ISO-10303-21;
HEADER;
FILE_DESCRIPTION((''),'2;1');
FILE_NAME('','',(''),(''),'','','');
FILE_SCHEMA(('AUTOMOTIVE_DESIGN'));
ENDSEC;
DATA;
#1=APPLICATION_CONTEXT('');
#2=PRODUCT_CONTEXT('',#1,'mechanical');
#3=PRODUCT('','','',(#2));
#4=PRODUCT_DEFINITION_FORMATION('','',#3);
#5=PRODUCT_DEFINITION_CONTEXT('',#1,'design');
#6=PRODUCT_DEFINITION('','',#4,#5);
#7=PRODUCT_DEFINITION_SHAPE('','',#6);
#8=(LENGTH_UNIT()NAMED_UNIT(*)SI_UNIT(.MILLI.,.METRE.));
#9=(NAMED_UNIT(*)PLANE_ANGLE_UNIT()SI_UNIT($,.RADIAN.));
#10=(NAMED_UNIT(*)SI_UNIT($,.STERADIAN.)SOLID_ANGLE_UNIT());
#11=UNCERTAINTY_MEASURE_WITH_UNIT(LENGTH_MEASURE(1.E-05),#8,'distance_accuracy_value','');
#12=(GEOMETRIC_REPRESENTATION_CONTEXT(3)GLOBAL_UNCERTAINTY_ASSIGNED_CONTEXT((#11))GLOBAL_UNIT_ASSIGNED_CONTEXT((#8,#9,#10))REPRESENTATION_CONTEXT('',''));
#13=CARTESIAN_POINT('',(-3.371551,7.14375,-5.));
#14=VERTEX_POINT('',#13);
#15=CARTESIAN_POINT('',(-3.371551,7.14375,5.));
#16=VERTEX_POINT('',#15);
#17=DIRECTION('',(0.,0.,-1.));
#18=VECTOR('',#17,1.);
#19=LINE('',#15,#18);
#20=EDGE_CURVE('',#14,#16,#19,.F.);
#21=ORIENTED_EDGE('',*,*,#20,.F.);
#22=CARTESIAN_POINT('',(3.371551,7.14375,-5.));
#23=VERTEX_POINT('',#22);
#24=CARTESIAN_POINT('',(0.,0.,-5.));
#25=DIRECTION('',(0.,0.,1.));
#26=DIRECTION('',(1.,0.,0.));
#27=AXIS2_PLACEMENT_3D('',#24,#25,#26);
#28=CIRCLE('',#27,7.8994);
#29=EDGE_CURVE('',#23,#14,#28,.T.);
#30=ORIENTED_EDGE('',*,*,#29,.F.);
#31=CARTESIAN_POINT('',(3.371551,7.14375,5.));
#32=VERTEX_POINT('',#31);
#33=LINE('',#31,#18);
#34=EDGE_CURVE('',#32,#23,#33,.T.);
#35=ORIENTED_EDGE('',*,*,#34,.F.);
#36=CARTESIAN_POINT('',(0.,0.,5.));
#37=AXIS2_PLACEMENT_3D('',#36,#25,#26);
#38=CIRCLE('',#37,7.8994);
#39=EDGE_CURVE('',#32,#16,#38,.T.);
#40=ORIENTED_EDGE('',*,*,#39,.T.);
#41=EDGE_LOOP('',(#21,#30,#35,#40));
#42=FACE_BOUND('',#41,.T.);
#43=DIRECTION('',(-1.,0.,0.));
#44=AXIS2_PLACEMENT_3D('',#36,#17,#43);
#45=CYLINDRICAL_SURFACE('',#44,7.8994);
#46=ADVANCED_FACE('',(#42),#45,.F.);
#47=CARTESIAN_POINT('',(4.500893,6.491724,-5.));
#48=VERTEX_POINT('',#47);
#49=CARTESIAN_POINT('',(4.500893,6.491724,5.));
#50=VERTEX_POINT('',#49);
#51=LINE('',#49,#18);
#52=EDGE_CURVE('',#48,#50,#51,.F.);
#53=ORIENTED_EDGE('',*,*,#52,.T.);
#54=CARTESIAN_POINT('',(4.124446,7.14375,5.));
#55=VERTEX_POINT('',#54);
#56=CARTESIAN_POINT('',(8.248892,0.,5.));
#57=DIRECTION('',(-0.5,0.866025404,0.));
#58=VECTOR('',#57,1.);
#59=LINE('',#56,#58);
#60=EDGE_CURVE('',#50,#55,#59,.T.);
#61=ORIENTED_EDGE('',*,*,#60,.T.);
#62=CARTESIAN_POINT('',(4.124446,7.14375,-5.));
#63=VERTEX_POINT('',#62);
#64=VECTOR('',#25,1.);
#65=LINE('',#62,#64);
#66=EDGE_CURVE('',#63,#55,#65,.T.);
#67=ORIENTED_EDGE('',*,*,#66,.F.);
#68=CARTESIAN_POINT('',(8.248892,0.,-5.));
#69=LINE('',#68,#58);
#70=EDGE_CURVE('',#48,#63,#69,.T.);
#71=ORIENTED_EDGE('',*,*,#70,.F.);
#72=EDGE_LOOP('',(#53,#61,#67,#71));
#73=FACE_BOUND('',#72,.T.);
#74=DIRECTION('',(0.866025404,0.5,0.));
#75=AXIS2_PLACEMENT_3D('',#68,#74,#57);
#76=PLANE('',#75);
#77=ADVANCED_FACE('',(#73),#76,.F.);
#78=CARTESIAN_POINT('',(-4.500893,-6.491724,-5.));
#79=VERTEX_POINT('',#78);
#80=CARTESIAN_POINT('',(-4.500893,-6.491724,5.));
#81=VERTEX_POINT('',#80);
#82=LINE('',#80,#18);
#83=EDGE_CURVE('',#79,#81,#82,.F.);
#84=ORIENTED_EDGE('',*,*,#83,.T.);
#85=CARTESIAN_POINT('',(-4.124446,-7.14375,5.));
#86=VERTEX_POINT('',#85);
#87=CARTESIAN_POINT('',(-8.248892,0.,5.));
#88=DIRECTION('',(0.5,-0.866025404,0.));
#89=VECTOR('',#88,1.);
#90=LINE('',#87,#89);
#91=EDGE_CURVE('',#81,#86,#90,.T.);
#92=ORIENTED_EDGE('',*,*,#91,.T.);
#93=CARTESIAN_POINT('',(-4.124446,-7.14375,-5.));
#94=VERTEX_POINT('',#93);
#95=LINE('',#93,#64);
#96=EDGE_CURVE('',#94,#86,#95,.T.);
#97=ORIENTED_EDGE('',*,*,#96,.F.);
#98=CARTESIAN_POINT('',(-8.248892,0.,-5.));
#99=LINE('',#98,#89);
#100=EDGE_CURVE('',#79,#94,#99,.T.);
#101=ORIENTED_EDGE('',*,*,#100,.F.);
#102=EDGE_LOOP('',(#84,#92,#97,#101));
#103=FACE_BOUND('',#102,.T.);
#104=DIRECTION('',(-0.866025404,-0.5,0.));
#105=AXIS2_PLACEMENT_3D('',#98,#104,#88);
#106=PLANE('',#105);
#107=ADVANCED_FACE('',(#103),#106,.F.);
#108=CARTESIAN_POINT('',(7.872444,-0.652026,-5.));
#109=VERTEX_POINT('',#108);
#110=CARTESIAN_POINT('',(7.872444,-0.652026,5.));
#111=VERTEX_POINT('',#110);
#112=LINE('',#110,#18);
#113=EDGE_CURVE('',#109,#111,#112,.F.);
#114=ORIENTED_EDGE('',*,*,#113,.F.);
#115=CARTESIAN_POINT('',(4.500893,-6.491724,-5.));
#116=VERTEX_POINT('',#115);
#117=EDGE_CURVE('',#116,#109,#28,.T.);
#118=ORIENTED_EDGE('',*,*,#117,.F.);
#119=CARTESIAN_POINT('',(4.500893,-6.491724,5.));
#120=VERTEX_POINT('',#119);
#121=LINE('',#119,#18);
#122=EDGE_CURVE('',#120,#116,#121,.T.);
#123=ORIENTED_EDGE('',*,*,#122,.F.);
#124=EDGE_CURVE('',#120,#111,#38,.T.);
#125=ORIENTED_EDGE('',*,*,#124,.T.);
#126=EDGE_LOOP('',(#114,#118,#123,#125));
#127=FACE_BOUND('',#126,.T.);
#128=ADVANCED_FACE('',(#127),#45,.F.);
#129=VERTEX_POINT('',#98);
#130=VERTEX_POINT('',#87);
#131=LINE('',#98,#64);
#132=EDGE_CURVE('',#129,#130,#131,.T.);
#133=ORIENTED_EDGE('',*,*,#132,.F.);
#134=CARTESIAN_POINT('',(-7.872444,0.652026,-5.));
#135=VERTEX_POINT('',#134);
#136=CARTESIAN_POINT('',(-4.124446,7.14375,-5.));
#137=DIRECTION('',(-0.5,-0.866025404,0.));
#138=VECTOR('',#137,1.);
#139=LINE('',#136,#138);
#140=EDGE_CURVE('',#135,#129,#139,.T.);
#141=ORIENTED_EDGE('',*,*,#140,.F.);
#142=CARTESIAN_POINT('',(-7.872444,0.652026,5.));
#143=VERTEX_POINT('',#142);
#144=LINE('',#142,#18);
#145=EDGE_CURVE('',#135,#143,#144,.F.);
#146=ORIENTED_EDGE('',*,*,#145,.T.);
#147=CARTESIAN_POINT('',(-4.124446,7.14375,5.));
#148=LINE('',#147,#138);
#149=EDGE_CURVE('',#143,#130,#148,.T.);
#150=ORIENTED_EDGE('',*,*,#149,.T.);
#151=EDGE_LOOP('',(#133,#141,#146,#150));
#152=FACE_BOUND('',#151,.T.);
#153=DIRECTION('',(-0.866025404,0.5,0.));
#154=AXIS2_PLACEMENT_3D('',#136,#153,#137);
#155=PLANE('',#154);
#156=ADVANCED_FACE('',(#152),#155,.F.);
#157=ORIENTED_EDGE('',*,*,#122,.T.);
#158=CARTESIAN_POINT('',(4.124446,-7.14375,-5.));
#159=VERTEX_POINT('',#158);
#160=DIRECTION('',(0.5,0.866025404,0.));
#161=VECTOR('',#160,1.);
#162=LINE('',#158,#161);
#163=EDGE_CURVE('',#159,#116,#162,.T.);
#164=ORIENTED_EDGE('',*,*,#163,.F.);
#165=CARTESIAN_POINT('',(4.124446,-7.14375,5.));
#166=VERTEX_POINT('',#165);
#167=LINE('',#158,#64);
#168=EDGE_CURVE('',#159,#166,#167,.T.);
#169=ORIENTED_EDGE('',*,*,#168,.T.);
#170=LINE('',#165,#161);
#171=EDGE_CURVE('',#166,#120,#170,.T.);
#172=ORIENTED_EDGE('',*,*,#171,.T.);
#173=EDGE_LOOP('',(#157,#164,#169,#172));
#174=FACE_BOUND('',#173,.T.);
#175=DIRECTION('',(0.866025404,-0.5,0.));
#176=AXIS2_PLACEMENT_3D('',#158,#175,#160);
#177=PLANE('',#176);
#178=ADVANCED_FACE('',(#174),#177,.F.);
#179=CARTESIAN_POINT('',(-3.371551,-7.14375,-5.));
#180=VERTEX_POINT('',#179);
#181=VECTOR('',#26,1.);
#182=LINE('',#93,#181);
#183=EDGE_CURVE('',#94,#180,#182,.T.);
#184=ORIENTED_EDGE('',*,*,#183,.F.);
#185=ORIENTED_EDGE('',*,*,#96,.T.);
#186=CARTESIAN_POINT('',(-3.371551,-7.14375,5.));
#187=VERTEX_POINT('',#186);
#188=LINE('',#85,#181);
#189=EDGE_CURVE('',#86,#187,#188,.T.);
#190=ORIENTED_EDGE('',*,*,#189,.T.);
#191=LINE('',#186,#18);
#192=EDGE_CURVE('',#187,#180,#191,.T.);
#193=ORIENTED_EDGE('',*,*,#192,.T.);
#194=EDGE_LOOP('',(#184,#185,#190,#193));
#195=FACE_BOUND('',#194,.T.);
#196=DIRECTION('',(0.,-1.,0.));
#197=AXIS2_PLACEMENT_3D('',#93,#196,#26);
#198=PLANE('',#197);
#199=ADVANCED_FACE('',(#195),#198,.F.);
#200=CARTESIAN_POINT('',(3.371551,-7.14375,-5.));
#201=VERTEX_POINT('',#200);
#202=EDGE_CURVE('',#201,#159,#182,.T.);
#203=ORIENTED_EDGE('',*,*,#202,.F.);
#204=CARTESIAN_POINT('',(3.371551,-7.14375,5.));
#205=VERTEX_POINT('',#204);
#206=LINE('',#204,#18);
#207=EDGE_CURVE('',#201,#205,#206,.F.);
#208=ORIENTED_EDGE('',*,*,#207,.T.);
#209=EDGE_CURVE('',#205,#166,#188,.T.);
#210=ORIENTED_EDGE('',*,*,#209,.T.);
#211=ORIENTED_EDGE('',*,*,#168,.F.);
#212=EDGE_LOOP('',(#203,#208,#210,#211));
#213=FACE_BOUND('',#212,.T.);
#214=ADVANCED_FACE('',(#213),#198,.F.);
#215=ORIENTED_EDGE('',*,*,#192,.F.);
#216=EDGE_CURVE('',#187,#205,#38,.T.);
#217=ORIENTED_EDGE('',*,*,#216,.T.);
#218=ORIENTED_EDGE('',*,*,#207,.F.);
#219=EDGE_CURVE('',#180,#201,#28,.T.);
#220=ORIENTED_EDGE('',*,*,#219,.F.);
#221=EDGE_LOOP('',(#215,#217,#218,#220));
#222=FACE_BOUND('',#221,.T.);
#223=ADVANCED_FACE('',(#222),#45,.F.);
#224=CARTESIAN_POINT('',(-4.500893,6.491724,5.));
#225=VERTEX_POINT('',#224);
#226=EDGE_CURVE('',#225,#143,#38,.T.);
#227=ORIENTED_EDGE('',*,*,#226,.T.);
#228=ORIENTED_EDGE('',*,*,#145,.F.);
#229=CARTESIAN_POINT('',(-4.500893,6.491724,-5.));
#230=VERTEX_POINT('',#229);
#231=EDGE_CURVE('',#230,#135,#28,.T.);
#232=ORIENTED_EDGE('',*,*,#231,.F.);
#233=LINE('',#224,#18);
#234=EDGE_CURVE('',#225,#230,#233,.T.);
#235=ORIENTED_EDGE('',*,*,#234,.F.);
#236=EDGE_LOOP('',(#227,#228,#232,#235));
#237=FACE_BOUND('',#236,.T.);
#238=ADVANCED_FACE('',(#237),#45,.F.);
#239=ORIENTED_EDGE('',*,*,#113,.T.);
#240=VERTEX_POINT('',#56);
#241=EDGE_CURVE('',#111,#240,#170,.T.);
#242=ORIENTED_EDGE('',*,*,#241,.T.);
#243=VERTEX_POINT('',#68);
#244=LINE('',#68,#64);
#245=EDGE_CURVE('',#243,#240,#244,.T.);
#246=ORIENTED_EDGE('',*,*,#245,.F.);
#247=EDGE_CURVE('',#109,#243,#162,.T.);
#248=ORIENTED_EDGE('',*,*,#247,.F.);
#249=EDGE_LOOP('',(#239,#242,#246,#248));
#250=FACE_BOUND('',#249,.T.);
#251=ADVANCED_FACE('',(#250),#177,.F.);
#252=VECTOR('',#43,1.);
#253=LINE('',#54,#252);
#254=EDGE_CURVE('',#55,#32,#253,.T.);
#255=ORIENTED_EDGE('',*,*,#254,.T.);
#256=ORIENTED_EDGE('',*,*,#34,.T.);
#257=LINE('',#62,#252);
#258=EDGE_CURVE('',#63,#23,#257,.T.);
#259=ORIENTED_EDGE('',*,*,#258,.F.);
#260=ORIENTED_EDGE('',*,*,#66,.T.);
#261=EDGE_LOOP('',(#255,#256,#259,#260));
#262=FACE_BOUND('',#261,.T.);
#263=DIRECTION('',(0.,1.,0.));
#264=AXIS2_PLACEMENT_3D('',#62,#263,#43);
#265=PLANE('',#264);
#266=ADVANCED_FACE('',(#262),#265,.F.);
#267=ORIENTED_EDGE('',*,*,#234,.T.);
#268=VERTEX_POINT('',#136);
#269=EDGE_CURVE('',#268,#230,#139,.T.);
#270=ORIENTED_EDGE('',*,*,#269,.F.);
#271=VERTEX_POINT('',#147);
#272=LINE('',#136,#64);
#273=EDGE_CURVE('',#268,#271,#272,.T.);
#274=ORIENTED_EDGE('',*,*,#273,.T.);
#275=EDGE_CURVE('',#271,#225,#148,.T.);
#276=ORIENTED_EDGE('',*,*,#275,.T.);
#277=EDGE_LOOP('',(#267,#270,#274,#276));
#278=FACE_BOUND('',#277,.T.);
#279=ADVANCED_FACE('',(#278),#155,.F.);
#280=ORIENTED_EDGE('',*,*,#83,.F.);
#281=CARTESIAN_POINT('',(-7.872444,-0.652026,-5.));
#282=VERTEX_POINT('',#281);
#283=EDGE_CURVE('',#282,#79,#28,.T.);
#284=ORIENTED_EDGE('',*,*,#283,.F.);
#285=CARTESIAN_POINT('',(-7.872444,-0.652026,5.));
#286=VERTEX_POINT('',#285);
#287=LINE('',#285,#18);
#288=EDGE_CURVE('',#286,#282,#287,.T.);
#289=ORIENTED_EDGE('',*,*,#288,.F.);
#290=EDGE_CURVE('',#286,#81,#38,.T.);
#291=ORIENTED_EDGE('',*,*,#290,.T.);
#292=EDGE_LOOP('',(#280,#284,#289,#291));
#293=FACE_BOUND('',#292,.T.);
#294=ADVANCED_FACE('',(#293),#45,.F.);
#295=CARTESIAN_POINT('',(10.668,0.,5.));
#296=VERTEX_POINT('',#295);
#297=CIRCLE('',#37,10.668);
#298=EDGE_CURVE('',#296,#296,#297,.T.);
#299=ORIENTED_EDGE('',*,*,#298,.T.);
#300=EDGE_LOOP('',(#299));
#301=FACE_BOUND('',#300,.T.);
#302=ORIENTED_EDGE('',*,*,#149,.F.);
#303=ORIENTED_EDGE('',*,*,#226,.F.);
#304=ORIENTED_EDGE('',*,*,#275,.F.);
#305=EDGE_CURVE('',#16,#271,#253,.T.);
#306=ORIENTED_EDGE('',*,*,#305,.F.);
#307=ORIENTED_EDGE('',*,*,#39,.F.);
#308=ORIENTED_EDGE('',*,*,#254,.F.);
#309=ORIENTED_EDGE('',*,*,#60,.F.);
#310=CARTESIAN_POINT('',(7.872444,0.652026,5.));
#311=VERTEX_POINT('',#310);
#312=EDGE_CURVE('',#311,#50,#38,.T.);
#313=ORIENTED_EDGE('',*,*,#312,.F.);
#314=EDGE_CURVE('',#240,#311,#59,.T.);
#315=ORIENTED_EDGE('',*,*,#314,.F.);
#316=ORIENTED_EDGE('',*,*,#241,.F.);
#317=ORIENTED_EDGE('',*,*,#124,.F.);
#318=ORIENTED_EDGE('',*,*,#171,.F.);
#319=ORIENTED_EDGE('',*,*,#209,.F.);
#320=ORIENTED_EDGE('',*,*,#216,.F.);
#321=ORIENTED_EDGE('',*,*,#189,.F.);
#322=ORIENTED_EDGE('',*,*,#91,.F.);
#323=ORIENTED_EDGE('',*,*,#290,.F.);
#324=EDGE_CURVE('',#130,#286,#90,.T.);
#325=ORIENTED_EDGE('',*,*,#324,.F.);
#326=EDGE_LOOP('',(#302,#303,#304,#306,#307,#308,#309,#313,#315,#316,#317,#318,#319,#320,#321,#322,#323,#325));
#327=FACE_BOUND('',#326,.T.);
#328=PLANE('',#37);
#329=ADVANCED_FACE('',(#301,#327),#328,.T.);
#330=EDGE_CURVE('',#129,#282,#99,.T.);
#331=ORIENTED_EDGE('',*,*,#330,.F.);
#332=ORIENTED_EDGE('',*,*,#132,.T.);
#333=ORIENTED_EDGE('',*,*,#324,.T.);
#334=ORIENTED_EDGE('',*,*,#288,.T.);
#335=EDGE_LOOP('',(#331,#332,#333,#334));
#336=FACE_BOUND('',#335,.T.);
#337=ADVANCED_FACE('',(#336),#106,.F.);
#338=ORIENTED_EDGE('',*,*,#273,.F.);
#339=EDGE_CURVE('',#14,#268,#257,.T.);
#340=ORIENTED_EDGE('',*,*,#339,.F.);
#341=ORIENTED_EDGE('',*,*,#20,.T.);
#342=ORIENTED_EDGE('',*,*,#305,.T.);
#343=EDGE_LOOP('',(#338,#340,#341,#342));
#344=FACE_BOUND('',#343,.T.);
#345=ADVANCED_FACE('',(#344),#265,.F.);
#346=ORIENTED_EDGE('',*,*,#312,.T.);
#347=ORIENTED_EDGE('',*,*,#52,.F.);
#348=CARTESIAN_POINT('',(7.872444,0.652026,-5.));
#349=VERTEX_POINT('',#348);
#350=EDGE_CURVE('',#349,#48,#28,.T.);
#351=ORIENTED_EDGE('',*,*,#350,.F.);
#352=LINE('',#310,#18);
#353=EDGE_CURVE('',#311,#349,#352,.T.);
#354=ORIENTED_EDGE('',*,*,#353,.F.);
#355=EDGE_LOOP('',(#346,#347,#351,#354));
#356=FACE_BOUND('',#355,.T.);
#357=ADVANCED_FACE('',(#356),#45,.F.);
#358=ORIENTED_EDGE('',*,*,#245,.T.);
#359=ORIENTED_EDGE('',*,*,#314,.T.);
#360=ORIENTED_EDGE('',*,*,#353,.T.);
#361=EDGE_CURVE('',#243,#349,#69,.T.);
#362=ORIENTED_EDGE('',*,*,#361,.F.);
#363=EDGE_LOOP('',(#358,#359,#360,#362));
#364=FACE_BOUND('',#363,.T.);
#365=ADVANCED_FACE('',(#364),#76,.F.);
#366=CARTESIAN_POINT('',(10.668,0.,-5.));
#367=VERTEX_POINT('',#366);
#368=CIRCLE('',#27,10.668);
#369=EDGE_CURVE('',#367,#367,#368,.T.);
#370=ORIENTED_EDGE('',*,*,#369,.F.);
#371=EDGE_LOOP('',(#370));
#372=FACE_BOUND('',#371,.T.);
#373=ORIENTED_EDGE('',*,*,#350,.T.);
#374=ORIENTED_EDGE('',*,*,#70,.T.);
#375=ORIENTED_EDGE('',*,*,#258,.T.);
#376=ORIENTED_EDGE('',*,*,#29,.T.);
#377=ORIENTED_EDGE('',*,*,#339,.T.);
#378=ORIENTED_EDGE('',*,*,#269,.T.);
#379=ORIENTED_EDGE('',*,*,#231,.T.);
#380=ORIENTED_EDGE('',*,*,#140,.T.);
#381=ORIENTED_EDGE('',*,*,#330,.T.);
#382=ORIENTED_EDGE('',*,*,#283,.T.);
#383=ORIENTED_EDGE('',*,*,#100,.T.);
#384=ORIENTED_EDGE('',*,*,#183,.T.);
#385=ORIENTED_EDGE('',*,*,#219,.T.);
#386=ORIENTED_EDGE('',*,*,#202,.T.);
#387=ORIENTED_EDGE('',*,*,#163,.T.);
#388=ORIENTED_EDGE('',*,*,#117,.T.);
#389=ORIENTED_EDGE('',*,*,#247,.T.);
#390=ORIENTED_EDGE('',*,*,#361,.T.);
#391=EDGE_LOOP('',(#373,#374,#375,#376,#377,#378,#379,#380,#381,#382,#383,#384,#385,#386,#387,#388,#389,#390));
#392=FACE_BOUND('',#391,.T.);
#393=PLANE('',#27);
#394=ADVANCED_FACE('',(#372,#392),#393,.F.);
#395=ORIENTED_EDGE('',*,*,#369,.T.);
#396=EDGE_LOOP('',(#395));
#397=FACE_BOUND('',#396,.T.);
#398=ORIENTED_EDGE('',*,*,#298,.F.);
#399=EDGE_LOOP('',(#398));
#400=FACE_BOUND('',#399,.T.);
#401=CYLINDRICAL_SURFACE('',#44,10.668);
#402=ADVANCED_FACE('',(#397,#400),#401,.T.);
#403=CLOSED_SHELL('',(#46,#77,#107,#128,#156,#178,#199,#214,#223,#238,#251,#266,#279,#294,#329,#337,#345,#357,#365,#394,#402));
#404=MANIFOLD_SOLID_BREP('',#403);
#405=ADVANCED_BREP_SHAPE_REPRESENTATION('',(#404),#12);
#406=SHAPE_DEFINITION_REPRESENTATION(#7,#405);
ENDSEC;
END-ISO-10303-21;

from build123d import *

# Parameters (mm, degrees)
SKETCH1_R           = 10.668
SKETCH1_R_2         = 7.8994
EXTRUDE_THIN1_DEPTH = 5
CUT_EXTRUDE3_DEPTH  = 11


with BuildPart() as part:
    # Sketch1 → Extrude-Thin1 (new body, symmetric)
    with BuildSketch(Plane.XY):
        Circle(SKETCH1_R)
        Circle(SKETCH1_R_2, mode=Mode.SUBTRACT)
    extrude(amount=EXTRUDE_THIN1_DEPTH, both=True)

    # Sketch3 → Cut-Extrude3 (cut, through all)
    with BuildSketch(Plane.XY.offset(5)):
        Polygon((4.124445986, 7.14375), (-4.124445986, 7.14375), (-8.248891971, 0), (-4.124445986, -7.14375), (4.124445986, -7.14375), (8.248891971, 0), align=None)
    extrude(amount=-CUT_EXTRUDE3_DEPTH, mode=Mode.SUBTRACT)


solid = part.part
